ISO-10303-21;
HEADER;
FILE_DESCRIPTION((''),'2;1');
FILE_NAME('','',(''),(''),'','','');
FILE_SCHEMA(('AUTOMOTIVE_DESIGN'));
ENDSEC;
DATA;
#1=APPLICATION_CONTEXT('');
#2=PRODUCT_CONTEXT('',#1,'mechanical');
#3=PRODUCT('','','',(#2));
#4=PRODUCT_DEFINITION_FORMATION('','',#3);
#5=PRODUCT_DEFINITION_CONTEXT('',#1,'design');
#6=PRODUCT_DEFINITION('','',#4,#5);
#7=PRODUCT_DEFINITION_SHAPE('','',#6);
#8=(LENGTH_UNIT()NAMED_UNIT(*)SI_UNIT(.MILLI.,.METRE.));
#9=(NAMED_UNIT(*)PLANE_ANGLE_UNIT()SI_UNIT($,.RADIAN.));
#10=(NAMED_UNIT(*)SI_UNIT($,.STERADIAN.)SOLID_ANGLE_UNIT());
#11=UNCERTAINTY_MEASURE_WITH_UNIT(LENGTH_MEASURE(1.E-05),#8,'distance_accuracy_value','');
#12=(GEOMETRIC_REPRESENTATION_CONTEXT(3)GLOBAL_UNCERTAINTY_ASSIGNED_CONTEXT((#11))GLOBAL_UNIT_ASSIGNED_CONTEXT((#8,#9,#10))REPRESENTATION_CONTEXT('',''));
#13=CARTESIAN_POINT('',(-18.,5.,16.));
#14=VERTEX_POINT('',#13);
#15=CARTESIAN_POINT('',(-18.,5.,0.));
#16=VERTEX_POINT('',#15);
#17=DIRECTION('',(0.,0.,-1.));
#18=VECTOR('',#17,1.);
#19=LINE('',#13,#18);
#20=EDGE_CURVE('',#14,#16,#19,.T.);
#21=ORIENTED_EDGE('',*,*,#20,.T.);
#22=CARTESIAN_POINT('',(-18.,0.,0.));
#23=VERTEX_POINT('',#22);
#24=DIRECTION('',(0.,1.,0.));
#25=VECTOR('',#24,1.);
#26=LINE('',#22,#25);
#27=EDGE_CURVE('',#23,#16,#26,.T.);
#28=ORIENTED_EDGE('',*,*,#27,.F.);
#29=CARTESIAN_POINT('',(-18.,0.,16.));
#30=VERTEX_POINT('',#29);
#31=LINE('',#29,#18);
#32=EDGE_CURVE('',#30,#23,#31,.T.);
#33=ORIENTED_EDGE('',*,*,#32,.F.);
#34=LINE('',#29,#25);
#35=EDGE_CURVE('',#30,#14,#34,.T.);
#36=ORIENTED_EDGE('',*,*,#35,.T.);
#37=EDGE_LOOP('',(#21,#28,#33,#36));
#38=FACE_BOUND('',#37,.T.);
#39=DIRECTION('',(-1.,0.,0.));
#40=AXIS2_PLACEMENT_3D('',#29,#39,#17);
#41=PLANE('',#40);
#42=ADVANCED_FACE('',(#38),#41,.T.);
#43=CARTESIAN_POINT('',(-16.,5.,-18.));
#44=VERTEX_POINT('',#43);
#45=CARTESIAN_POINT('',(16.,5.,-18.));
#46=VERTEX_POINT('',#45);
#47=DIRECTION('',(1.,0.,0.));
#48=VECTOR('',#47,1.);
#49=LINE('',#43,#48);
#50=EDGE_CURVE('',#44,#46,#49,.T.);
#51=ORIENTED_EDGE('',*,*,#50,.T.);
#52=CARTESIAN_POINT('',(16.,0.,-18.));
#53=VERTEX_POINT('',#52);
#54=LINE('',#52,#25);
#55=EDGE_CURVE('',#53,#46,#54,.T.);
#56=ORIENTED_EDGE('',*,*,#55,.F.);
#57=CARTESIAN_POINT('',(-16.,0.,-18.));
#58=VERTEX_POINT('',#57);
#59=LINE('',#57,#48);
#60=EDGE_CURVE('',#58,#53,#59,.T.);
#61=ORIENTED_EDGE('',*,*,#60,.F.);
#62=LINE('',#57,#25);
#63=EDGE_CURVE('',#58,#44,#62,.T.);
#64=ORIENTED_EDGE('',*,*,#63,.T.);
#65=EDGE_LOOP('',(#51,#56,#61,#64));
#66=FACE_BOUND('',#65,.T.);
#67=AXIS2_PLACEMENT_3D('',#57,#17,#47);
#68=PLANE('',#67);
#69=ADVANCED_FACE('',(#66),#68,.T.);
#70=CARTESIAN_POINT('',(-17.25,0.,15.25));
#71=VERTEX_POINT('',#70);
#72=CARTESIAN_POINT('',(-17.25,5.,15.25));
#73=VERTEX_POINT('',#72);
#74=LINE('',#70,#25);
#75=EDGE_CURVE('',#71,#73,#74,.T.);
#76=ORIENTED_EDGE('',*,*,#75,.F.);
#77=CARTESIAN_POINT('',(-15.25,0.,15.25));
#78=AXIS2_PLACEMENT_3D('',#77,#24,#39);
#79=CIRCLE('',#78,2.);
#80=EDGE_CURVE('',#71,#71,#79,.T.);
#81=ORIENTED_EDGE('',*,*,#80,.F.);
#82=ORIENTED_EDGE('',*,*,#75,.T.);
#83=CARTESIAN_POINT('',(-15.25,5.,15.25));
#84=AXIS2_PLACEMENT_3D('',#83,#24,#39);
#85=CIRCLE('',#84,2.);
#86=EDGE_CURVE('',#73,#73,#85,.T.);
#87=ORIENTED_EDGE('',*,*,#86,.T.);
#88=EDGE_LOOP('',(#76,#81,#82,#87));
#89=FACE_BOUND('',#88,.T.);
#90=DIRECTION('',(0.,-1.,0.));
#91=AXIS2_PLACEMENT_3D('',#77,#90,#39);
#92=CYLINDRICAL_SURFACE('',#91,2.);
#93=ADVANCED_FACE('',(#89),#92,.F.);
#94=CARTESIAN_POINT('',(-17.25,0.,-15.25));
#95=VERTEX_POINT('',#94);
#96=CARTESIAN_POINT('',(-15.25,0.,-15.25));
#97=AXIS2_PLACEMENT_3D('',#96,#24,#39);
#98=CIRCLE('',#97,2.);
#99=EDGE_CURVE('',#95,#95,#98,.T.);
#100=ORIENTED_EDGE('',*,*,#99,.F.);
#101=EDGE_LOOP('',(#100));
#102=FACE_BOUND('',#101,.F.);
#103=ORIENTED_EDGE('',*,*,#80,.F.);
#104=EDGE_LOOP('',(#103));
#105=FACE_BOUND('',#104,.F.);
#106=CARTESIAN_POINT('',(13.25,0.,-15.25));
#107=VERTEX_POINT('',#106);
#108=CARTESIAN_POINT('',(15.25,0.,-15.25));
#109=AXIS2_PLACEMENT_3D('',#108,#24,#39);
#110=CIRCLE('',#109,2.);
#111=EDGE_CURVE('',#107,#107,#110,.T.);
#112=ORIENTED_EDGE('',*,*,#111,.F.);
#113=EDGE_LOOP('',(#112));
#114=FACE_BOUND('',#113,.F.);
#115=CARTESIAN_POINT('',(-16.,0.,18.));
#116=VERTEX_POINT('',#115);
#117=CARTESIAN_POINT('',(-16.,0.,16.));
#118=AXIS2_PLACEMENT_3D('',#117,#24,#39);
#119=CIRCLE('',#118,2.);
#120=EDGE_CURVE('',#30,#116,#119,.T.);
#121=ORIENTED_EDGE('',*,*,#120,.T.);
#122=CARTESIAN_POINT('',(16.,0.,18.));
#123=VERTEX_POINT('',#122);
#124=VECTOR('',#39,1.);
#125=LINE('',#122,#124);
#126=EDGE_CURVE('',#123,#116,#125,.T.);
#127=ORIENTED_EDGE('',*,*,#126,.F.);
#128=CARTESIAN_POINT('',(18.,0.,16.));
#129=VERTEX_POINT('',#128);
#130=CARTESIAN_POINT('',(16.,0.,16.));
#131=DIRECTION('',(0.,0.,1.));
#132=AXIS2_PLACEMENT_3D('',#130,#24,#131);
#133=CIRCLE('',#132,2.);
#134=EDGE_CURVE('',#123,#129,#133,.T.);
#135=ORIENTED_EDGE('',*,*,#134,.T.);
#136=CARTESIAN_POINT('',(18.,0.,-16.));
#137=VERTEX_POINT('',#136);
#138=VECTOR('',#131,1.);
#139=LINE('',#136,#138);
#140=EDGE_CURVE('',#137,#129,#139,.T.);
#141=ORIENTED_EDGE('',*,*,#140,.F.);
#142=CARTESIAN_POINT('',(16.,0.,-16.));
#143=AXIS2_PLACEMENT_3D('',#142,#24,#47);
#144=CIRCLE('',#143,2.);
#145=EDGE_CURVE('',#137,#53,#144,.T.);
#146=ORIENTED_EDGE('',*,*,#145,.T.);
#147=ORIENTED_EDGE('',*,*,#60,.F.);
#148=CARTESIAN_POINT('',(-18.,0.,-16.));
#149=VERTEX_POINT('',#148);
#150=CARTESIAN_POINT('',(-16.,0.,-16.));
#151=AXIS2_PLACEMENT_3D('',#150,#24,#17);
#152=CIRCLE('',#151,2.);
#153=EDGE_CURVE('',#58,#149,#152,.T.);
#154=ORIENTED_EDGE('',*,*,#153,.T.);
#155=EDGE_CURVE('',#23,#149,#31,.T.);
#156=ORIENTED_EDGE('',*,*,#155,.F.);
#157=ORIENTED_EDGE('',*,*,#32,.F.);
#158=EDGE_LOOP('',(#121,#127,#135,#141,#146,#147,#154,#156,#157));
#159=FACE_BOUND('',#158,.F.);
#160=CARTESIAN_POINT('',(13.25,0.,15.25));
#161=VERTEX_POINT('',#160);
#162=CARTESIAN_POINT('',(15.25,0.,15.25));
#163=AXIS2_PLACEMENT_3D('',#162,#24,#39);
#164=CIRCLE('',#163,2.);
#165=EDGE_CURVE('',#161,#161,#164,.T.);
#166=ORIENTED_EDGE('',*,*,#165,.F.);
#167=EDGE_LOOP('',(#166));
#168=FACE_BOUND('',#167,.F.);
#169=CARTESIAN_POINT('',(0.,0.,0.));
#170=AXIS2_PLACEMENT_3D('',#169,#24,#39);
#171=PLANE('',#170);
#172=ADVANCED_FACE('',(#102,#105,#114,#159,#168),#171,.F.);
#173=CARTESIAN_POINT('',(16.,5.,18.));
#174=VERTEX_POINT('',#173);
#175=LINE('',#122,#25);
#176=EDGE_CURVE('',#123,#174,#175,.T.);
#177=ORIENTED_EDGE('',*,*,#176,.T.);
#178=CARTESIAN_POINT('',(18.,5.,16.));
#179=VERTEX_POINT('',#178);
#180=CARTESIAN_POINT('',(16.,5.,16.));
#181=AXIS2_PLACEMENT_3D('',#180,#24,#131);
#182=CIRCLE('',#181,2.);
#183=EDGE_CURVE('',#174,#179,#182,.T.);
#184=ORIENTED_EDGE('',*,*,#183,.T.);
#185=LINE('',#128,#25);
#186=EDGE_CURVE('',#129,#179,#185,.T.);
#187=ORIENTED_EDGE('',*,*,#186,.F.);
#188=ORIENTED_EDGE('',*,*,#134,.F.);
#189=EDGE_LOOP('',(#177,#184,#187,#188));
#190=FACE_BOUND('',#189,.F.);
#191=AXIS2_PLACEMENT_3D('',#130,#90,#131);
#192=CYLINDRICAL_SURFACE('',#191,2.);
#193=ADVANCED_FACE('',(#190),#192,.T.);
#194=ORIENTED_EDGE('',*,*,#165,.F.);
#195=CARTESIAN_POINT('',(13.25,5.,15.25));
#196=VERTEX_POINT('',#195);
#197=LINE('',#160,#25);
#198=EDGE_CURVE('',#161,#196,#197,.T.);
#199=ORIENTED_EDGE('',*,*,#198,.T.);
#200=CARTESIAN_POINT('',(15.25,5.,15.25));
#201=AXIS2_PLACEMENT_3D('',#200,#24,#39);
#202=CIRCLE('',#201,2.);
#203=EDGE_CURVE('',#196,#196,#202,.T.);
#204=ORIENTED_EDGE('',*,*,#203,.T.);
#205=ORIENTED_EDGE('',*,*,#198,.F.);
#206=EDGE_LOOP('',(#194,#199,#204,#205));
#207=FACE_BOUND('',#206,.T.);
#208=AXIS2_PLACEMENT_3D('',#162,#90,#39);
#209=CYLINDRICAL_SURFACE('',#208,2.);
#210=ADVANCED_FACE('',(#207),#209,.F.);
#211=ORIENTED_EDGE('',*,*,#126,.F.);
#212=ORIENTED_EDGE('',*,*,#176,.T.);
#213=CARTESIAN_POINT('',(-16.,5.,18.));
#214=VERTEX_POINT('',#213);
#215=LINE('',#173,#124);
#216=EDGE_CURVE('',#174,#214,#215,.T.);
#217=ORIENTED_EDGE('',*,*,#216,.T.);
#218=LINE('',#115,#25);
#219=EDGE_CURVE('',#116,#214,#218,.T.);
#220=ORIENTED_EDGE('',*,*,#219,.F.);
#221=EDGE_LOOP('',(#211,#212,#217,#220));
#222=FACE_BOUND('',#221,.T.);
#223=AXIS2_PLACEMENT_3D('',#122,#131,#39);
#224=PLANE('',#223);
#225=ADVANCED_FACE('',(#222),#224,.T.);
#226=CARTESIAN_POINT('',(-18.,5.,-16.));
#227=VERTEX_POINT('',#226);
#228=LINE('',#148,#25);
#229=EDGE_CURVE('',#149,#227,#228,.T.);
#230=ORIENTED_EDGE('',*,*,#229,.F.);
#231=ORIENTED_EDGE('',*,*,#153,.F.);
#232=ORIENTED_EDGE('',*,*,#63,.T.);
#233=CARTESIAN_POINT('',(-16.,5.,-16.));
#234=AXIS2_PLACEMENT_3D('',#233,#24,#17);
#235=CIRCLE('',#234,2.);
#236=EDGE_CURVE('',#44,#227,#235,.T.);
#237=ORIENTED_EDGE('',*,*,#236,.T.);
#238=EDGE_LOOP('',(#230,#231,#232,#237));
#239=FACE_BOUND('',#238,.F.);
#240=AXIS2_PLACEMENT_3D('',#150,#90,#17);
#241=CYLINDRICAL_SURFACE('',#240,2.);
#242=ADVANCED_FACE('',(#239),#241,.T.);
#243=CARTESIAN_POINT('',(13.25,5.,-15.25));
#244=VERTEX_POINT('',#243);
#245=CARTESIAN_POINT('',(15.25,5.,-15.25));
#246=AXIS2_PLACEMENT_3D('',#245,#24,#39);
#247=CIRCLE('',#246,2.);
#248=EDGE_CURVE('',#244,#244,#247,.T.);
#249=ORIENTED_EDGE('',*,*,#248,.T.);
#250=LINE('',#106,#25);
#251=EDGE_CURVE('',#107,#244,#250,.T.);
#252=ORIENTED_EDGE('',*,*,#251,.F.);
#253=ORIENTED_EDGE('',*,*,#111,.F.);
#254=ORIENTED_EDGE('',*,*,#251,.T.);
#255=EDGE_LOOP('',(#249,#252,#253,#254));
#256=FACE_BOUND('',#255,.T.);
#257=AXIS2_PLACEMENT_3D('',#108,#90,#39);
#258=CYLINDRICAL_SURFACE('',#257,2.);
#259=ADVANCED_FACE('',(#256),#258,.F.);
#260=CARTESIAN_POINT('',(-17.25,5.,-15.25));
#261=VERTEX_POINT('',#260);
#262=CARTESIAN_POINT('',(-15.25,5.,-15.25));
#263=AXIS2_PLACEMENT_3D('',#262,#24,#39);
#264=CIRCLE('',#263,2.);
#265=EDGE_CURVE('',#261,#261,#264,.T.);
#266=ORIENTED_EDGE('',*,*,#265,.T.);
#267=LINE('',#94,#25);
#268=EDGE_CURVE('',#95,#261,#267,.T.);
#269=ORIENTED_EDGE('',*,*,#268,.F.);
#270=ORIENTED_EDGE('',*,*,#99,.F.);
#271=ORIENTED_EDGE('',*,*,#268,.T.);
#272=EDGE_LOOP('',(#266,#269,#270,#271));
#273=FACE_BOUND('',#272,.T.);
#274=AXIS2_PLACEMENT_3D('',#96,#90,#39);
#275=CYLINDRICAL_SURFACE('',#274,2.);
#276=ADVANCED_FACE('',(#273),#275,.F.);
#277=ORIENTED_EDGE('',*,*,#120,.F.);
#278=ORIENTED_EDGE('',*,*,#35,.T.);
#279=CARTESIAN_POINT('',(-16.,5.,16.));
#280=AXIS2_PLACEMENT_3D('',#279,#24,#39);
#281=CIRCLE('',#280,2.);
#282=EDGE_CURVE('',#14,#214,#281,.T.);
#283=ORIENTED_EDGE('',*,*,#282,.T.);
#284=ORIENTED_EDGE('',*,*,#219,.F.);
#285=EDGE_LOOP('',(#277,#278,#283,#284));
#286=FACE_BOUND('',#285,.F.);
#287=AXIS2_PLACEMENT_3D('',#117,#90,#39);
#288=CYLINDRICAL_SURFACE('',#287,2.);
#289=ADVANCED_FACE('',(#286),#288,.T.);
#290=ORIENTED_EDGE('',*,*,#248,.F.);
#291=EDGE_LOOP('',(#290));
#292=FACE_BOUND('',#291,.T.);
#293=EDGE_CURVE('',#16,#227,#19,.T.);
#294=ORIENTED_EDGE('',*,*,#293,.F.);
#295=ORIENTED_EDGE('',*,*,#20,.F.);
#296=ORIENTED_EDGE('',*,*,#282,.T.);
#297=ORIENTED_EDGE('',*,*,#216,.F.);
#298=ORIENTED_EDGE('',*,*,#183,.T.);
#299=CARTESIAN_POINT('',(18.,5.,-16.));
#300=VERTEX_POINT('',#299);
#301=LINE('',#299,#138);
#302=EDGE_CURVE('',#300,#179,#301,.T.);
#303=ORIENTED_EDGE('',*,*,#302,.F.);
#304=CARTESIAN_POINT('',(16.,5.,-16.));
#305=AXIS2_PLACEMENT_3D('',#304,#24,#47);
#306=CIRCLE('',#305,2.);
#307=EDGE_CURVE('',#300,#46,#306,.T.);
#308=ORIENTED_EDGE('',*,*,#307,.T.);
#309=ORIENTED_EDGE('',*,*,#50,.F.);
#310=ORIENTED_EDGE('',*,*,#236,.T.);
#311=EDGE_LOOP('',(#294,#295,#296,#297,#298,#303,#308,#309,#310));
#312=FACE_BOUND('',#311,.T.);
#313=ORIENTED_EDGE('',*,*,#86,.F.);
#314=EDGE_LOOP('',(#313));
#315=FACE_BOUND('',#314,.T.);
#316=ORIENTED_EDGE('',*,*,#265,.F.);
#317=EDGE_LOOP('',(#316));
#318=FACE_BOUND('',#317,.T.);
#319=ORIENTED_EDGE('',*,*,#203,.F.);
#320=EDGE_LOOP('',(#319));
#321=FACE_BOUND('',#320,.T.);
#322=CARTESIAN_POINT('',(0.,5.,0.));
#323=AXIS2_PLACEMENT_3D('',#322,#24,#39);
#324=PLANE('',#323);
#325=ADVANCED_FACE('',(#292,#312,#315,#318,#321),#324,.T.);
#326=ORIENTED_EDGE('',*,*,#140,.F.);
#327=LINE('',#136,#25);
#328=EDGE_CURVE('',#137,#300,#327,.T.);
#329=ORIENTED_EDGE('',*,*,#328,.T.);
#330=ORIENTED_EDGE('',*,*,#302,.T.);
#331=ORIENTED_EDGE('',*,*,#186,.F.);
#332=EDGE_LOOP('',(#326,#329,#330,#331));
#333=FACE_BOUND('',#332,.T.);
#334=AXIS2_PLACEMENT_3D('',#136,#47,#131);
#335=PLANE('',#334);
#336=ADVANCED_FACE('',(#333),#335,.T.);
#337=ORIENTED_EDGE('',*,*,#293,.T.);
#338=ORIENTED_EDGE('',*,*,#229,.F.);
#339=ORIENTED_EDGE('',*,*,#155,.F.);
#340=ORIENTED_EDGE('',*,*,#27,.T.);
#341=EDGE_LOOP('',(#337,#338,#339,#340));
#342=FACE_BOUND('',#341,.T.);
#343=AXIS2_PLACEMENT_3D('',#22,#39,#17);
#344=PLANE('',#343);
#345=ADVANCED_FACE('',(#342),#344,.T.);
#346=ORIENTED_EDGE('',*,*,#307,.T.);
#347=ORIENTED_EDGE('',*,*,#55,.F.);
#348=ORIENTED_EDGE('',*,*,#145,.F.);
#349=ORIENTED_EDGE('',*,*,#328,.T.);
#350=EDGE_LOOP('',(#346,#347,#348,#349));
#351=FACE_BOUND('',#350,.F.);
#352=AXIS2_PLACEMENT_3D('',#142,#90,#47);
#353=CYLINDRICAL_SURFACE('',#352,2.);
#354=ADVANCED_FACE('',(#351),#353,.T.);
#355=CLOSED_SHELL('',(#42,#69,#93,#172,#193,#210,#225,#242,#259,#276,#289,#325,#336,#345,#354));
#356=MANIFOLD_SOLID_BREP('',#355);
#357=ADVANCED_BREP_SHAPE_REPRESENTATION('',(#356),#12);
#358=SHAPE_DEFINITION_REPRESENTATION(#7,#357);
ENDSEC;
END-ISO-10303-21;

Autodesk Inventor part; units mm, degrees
ref_plane "YZ Plane" through (0, 0, 0) normal (1, 0, 0) x (0, 1, 0)
ref_plane "XZ Plane" through (0, 0, 0) normal (0, 1, 0) x (-1, 0, 0)
ref_plane "XY Plane" through (0, 0, 0) normal (0, 0, 1) x (1, 0, 0)
sketch "Sketch1" plane through (0, 0, 0) normal (0, 1, 0) x (-1, 0, 0)
  line L0 (0, 0) -> (18, 0)
  line L1 (16, -18) -> (-16, -18)
  line L2 (-18, -16) -> (-18, 16)
  line L3 (-16, 18) -> (16, 18)
  line L4 (18, 16) -> (18, -16)
  circle A0 centre (15.25, 15.25) radius 2
  circle A1 centre (-15.25, 15.25) radius 2
  circle A2 centre (-15.25, -15.25) radius 2
  circle A3 centre (15.25, -15.25) radius 2
  arc A4 (16, -18) -> (18, -16) centre (16, -16) ccw
  arc A5 (18, 16) -> (16, 18) centre (16, 16) ccw
  arc A6 (-16, 18) -> (-18, 16) centre (-16, 16) ccw
  arc A7 (-18, -16) -> (-16, -18) centre (-16, -16) ccw
  point P0 (18, -18)
  point P1 (-18, 18)
  point P2 (-18, -18)
  point P3 (18, 18)
  dimension "d0" = 18
  dimension "d1" = 18
  dimension "d2" = 36
  dimension "d3" = 36
  dimension "d6" = 30.5
  dimension "d7" = 30.5
  dimension "d8" = 15.25
  dimension "d9" = 2.75
  dimension "d10" = 4
  dimension "d11" = 4
  dimension "d12" = 4
  dimension "d13" = 4
  dimension "d14" = 2
  dimension "d15" = 2
extrude "Extrusion2" add sketch "Sketch1" along normal blind 5
properties part number "Flight_controler"
